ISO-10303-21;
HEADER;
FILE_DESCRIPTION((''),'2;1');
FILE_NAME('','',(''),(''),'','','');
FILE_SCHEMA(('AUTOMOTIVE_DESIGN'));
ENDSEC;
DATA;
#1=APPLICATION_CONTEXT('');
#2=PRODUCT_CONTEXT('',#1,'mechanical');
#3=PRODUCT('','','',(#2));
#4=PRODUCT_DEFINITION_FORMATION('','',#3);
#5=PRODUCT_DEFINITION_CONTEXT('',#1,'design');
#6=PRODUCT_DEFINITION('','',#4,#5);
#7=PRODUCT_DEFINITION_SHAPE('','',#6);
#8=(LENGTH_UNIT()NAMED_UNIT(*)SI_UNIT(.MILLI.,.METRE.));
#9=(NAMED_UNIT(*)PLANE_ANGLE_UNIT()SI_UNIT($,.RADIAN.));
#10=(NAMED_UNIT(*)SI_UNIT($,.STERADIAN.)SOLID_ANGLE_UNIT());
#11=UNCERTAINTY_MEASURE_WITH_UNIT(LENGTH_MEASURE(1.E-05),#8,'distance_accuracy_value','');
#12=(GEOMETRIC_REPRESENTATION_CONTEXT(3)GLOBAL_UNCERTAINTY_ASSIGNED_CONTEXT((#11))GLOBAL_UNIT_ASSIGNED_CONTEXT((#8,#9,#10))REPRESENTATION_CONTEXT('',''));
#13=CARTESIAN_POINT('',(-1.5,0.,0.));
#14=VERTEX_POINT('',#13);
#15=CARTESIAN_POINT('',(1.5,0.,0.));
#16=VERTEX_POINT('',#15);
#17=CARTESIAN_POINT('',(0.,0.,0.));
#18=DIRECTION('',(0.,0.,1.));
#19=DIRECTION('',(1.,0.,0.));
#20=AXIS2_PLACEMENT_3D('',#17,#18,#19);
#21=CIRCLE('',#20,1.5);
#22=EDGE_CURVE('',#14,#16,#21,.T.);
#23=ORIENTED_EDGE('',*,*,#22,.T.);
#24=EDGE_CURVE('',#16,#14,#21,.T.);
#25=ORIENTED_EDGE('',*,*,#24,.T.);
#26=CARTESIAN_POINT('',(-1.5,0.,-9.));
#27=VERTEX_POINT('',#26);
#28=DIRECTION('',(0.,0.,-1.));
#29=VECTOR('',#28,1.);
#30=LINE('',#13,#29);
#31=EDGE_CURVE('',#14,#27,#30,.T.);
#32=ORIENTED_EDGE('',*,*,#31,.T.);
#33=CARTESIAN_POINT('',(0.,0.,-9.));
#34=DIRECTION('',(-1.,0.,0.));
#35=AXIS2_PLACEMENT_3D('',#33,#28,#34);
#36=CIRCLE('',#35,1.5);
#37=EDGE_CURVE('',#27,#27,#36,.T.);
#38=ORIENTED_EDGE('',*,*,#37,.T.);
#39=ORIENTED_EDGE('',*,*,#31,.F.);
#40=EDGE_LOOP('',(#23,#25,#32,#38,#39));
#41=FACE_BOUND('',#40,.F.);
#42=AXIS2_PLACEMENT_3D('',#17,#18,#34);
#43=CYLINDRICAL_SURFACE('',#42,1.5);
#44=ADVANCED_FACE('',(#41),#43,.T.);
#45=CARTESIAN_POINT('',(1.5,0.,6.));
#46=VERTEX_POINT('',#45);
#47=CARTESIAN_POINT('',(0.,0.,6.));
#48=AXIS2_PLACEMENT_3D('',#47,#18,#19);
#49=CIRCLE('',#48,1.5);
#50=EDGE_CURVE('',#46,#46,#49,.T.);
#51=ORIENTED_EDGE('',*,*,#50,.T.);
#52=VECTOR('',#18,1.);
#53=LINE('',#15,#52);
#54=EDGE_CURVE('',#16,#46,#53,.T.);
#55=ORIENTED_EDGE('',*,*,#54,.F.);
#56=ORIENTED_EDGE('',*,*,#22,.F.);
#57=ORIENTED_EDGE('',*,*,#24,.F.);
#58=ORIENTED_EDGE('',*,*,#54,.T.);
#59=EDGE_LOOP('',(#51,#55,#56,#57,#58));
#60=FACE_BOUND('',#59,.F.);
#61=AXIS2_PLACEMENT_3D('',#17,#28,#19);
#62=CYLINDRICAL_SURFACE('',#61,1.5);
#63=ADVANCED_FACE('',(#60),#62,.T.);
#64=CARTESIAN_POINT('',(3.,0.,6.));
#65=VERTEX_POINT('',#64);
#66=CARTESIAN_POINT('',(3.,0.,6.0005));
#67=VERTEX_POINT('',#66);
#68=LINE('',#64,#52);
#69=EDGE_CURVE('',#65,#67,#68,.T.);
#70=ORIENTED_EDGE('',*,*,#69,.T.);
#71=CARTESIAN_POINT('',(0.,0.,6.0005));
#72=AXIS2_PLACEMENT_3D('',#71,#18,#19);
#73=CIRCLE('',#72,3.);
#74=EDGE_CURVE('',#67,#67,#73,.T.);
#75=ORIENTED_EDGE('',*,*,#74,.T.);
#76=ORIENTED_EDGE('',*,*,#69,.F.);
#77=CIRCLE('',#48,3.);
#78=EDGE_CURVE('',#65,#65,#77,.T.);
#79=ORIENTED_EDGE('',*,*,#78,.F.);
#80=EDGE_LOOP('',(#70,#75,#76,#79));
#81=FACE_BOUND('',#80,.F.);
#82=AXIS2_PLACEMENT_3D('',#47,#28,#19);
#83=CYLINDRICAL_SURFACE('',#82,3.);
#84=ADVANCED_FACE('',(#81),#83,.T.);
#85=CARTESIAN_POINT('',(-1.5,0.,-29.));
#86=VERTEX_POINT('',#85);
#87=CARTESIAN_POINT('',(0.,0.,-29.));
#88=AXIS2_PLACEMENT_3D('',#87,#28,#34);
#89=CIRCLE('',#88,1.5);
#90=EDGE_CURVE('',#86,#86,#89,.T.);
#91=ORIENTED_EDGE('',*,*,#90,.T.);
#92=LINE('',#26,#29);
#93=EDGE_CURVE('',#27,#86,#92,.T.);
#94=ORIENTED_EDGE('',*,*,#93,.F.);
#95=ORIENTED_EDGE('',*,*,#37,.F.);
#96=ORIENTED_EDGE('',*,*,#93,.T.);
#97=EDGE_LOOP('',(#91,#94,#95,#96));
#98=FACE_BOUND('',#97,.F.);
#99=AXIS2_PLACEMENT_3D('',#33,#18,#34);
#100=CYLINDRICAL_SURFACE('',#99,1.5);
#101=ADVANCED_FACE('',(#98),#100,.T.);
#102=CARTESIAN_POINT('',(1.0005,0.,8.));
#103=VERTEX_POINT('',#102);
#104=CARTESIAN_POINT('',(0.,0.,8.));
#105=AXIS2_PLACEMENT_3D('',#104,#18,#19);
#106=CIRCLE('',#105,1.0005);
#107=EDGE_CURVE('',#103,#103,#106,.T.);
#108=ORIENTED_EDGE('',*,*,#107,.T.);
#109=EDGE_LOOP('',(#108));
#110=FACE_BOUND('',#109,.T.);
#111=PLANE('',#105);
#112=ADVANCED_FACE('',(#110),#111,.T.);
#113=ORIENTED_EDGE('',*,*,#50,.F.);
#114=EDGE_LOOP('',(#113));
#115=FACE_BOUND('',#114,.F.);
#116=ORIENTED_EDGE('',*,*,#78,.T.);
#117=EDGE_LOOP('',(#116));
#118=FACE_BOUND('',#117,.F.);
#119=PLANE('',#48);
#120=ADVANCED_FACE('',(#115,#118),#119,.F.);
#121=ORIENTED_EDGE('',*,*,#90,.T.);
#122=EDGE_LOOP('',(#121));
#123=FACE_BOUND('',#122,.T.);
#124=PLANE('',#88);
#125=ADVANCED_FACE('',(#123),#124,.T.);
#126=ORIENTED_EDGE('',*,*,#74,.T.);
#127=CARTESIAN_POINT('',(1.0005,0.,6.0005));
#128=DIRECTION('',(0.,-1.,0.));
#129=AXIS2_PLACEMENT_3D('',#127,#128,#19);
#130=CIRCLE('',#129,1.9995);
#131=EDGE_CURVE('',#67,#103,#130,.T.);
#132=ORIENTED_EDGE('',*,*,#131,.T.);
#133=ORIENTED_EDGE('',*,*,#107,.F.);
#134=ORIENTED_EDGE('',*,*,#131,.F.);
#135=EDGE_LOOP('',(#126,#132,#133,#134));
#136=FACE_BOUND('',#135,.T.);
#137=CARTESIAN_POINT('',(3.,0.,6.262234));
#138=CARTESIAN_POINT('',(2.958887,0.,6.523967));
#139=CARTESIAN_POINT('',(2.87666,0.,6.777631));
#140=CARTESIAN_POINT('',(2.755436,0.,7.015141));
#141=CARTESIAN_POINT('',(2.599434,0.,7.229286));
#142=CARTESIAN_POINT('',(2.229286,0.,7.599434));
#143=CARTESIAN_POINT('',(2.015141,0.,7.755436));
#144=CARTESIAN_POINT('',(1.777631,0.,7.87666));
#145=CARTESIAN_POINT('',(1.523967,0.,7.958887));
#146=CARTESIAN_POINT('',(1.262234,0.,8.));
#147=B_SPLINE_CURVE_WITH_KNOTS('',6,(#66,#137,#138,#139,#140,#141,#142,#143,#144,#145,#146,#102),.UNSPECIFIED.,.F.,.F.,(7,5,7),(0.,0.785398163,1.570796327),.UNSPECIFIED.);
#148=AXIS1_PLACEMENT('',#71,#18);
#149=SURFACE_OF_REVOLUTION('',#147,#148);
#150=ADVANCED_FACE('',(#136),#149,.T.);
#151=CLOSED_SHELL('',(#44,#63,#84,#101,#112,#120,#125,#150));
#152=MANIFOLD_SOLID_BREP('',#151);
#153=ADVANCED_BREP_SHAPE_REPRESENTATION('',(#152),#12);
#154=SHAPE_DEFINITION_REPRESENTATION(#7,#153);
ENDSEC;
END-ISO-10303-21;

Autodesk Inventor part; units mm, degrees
ref_plane "YZ Plane" through (0, 0, 0) normal (1, 0, 0) x (0, 1, 0)
ref_plane "XZ Plane" through (0, 0, 0) normal (0, 1, 0) x (-1, 0, 0)
ref_plane "XY Plane" through (0, 0, 0) normal (0, 0, 1) x (1, 0, 0)
sketch "スケッチ1" plane through (0, 0, 0) normal (0, 0, 1) x (1, 0, 0)
  circle A0 centre (0, 0) radius 1.5
  dimension "d0" = 3
extrude "押し出し1" add sketch "スケッチ1" along normal blind 6
sketch "スケッチ2" plane through (0, 0, 6) normal (0, 0, 1) x (1, 0, 0)
  circle A0 centre (0, 0) radius 1.5 projected
  circle A1 centre (0, 0) radius 3
  dimension "d3" = 6
extrude "押し出し2" add sketch "スケッチ2" along normal blind 2 contours A0 | A1
fillet "フィレット1" radius 2 1 edges at (-3, 0, 8)
thread "ねじ1" size "M3x0.5" class "6g" standard "ANSI Metric M Profile" full length
sketch "スケッチ3" plane through (0, 0, 0) normal (0, 0, -1) x (-1, 0, 0)
  circle A0 centre (0, 0) radius 1.5 projected
extrude "押し出し3" add sketch "スケッチ3" along normal blind 9
sketch "スケッチ4" plane through (0, 0, -9) normal (0, 0, -1) x (-1, 0, 0)
  circle A0 centre (0, 0) radius 1.5 projected
extrude "押し出し4" add sketch "スケッチ4" along normal blind 20
properties part number "SB　35mmなべネジ" material "Steel, Mild"
